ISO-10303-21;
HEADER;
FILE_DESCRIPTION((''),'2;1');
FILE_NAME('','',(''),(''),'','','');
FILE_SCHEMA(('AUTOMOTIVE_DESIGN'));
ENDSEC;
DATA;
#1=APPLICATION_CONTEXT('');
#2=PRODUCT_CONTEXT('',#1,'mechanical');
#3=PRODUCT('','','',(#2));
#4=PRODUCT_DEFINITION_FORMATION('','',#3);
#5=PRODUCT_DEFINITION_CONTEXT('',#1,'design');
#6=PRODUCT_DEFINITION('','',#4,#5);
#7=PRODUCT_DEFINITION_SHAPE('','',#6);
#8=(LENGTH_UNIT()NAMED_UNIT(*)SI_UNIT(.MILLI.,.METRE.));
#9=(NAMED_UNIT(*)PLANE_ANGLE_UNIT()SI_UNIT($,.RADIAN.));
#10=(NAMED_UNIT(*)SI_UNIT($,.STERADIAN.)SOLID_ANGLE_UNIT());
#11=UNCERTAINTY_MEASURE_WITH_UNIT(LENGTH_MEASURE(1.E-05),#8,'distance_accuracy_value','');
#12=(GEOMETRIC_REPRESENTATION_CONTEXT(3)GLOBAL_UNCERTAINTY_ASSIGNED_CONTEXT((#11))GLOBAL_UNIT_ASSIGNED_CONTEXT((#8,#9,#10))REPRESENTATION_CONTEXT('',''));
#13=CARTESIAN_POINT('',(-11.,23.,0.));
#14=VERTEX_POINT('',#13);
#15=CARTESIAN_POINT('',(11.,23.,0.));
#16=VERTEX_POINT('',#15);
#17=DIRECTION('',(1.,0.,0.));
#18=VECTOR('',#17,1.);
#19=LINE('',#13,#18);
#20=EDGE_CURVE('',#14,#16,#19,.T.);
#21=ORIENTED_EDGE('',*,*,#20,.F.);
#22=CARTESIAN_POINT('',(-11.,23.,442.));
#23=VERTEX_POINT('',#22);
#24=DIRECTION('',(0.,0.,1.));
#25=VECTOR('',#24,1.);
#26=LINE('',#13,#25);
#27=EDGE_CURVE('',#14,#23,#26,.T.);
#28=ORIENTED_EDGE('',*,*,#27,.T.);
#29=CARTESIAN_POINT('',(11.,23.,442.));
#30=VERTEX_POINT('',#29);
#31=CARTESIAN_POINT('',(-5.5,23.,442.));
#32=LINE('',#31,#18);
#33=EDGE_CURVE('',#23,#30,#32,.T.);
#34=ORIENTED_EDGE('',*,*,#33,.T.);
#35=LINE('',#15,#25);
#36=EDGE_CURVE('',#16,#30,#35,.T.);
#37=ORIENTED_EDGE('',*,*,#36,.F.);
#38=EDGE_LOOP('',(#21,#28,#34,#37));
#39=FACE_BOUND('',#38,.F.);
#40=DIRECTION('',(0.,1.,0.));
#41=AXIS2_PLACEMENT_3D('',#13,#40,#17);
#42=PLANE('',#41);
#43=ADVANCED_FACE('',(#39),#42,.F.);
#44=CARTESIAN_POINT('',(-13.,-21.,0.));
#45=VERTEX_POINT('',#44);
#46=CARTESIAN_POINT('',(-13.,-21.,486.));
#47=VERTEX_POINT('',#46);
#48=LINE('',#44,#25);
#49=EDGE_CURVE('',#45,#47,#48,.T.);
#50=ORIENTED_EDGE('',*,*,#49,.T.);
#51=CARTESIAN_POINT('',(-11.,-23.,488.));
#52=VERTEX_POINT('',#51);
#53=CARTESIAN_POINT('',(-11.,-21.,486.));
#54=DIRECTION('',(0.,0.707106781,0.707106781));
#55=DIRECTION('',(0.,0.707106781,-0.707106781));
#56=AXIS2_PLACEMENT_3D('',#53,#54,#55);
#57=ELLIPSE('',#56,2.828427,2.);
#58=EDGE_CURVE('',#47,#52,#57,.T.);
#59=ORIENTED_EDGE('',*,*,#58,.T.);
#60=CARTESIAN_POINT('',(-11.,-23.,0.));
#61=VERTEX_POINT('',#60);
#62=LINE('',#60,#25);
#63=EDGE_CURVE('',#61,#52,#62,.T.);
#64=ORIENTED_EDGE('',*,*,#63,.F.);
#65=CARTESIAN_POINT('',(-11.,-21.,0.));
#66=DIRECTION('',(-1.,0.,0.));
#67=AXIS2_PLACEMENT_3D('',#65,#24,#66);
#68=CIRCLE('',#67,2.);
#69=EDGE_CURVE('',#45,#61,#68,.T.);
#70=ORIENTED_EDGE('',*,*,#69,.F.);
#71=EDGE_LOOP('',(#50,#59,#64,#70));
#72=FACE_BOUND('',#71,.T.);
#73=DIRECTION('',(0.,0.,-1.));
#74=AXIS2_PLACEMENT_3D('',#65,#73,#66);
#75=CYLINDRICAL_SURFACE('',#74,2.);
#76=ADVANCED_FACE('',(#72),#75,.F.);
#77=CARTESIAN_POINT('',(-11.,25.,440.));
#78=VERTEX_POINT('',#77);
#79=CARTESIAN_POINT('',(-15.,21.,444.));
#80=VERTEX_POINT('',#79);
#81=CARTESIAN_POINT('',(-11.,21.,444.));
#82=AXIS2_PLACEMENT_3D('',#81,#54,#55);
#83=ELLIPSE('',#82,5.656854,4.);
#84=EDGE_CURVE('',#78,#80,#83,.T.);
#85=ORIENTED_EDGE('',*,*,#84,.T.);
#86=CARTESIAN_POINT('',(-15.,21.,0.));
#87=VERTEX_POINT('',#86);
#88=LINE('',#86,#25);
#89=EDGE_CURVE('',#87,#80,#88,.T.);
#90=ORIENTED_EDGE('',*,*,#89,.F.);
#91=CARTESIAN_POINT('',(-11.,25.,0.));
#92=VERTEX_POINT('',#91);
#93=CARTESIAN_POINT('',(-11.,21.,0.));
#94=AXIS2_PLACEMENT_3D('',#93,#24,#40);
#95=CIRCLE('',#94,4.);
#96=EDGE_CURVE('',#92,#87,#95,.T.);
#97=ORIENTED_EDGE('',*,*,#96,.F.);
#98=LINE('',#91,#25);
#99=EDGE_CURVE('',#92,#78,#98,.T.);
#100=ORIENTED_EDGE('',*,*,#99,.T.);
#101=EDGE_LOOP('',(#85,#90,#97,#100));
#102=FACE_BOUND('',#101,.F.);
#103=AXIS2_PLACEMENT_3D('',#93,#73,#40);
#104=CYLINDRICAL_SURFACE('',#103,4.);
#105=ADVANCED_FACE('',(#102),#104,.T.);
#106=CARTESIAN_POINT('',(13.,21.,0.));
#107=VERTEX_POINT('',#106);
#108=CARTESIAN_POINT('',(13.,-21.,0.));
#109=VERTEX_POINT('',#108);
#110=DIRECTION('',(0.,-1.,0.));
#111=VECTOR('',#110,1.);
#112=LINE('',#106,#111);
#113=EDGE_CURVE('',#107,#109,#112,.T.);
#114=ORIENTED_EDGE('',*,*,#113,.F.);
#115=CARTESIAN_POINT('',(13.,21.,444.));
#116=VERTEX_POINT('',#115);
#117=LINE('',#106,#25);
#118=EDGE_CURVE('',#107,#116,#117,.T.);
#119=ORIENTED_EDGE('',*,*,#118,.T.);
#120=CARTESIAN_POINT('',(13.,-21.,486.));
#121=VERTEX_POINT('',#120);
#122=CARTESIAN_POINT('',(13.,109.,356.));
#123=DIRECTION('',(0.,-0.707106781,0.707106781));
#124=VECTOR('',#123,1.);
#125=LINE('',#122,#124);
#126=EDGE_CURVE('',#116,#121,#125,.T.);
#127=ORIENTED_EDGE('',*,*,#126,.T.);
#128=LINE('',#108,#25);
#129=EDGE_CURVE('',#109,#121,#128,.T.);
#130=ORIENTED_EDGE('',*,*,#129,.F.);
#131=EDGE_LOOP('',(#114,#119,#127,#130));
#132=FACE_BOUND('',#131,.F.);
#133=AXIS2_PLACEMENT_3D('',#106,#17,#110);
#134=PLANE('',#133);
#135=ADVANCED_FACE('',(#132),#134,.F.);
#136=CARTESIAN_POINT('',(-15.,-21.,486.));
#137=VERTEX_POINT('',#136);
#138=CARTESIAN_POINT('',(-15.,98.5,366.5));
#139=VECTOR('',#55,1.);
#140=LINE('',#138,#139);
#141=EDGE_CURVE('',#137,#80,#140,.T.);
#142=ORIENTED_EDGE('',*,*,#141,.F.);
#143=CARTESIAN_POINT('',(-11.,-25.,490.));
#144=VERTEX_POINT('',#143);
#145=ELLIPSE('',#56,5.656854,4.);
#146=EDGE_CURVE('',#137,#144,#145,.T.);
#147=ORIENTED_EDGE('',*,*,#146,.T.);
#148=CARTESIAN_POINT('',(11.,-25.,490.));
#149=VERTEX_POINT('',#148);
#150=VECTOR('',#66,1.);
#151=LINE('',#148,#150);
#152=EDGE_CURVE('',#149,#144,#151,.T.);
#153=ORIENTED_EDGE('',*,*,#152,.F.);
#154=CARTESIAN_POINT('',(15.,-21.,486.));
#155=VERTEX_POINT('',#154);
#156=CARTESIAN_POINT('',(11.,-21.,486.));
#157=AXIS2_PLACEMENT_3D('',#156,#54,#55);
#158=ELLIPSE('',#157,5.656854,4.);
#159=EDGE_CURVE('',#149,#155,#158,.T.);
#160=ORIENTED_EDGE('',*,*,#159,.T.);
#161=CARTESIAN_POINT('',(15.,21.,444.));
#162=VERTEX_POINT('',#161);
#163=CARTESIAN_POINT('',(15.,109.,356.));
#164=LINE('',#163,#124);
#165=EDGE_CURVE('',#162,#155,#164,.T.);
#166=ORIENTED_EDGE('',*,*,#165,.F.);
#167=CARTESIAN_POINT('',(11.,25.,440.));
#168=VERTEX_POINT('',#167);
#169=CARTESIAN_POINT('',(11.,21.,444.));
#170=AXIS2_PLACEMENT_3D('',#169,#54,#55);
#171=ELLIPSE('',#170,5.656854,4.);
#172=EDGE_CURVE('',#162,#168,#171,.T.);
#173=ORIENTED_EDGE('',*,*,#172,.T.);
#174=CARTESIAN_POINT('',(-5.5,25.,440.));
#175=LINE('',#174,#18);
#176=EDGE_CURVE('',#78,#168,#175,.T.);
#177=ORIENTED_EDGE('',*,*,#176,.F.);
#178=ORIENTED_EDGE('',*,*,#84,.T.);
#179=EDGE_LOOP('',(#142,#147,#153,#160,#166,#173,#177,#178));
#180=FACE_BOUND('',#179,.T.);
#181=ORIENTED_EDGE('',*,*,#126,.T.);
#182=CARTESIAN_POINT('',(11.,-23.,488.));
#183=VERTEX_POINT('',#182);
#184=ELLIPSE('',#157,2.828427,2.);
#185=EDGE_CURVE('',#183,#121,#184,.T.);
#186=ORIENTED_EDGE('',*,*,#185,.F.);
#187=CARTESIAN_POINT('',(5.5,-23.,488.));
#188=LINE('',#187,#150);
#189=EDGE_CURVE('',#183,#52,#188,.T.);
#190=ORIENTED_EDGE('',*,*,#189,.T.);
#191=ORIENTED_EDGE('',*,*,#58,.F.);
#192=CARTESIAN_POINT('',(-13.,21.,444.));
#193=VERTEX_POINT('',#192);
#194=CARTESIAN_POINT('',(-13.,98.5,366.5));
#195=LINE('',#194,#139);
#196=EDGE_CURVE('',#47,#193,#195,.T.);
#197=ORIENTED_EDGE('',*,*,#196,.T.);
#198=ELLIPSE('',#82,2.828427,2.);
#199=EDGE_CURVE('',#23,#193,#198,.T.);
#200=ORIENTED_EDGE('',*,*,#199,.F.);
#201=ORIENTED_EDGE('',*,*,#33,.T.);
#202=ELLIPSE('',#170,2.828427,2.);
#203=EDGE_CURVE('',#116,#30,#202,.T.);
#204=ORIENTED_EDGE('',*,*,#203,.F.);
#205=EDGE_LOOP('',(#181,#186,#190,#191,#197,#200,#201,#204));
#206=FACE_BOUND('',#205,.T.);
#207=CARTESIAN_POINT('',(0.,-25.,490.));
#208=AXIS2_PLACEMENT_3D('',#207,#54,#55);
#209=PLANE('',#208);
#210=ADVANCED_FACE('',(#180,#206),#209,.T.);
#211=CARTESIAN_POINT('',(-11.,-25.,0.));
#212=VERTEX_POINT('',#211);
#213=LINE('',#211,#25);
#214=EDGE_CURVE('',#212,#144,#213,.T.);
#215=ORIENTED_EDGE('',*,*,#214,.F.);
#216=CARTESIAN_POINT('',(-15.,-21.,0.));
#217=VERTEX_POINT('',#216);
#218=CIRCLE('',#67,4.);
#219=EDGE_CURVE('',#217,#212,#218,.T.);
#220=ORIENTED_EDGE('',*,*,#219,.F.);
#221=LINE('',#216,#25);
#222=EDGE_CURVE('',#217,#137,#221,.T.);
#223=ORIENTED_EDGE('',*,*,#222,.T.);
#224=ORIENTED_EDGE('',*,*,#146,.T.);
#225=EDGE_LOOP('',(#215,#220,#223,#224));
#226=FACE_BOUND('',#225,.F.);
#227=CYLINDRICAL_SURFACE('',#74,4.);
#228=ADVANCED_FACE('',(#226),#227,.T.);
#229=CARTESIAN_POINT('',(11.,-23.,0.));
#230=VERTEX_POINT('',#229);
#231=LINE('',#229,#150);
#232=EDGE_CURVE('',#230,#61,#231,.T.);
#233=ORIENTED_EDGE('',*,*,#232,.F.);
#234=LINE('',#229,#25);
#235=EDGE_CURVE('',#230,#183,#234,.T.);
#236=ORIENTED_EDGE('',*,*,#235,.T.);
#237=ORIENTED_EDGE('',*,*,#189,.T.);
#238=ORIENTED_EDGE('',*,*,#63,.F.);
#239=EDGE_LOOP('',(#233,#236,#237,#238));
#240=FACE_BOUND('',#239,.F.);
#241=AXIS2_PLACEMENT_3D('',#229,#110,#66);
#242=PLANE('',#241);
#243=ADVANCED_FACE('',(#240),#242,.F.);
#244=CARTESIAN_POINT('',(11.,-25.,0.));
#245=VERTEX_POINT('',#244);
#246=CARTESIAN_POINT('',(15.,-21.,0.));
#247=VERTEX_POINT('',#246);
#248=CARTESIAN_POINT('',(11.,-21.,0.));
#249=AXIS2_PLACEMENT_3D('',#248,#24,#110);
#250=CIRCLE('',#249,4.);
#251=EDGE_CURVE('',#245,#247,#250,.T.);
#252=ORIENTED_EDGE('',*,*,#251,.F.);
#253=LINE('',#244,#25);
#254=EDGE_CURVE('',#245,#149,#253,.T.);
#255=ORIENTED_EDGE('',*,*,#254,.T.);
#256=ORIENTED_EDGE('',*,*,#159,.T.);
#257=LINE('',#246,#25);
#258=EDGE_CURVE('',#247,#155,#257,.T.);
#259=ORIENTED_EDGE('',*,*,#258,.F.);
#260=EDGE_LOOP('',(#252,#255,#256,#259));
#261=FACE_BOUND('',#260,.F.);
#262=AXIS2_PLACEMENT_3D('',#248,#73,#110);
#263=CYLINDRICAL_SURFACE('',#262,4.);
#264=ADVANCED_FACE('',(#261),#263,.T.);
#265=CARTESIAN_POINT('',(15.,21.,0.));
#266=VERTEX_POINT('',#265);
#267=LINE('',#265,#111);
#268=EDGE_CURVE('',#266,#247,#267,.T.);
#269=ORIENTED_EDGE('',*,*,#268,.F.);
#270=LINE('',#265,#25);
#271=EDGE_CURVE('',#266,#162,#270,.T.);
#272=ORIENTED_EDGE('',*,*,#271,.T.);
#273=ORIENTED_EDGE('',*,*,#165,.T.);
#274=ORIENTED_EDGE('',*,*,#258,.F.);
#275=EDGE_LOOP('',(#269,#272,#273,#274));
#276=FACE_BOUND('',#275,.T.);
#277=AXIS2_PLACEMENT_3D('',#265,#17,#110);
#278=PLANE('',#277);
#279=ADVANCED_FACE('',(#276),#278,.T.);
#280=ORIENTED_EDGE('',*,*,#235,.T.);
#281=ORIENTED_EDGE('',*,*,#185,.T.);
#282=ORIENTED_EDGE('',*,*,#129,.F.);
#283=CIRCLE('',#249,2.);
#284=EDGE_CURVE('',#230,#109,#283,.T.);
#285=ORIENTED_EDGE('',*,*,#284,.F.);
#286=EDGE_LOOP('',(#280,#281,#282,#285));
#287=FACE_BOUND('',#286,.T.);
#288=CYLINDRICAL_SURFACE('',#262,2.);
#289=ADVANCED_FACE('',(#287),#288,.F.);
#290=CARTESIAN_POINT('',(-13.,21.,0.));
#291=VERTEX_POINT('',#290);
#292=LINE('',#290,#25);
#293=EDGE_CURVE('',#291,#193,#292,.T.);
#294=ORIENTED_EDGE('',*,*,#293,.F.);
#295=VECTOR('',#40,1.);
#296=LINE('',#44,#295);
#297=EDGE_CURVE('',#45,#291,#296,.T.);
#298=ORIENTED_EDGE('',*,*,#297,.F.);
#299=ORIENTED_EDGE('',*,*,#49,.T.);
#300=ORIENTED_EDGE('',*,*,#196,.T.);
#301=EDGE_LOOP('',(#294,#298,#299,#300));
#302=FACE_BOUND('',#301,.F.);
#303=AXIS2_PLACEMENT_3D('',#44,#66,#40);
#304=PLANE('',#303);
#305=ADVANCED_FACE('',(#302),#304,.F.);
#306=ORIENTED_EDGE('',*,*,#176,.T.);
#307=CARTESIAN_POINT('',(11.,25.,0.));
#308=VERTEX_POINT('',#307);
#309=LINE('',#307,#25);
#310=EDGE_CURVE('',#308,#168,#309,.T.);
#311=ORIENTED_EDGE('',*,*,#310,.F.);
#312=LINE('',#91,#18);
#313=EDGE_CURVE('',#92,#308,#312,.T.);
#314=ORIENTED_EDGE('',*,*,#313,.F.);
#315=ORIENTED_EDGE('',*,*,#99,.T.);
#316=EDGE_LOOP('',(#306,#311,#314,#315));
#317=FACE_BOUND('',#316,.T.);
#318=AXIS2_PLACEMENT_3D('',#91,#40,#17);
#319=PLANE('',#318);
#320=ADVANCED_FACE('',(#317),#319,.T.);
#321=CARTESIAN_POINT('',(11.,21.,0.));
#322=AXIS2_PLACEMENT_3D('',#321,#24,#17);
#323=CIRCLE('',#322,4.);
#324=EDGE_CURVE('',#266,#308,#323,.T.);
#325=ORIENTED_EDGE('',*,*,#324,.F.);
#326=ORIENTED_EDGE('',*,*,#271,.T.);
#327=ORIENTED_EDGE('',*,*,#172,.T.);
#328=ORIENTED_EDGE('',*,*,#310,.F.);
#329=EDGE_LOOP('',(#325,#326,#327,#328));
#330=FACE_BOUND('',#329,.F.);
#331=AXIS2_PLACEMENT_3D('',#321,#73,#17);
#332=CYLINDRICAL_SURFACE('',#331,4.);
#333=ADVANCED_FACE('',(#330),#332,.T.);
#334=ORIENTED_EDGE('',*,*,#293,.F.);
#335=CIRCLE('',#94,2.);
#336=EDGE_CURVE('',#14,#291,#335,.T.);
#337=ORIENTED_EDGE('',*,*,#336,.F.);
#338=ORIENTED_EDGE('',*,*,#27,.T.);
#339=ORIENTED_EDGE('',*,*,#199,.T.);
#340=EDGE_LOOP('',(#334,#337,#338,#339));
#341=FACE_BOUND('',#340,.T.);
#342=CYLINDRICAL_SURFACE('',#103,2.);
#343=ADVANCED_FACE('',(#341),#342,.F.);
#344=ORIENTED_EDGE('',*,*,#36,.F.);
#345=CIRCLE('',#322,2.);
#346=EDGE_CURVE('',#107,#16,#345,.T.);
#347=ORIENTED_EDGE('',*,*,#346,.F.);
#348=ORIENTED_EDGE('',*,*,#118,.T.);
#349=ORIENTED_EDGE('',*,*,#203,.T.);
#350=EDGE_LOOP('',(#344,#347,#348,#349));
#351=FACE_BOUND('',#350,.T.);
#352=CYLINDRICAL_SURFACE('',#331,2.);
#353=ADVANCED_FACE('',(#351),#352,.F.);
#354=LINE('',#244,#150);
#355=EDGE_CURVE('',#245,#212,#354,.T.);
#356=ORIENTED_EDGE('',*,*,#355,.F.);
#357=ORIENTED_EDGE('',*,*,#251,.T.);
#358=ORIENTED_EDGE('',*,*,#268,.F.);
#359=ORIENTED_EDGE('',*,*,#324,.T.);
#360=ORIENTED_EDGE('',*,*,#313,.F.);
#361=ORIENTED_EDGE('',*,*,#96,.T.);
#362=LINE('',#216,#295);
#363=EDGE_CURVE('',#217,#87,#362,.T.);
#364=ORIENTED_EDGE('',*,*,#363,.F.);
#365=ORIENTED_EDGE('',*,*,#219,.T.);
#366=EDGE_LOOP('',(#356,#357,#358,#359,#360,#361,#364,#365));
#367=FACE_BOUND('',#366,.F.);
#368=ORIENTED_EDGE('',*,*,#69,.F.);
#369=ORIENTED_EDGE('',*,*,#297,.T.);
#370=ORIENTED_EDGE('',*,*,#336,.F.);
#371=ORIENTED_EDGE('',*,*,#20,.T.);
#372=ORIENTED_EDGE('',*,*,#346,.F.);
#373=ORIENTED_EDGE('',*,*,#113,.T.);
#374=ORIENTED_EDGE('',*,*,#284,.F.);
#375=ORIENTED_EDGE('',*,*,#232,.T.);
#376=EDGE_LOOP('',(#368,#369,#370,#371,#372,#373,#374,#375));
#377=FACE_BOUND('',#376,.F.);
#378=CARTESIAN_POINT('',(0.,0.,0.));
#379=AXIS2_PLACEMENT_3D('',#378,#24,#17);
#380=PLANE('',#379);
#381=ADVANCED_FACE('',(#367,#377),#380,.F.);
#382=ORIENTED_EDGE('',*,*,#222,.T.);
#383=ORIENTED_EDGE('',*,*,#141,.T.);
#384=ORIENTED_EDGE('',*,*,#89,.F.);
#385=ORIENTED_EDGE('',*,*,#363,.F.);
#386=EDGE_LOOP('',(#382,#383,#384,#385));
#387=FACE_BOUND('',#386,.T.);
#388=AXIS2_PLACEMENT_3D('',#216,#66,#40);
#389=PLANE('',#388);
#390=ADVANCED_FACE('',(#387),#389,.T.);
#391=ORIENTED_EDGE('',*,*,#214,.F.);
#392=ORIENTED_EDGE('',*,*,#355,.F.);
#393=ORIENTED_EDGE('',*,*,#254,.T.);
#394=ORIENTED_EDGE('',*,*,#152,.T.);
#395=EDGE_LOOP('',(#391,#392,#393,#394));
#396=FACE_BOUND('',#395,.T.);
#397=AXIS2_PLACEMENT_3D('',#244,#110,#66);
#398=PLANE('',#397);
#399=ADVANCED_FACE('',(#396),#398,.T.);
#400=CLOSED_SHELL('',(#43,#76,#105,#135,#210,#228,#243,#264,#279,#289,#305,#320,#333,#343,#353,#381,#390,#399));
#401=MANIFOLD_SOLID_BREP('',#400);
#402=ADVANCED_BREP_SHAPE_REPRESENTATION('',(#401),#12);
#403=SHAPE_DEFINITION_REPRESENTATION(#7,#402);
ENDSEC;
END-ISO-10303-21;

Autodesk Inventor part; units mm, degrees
ref_plane "Plano inicial" through (0, 0, 0) normal (0, 0, 1) x (1, 0, 0)
ref_plane "Plano final" through (0, 0, 490) normal (0, 0, 1) x (1, 0, 0)
sketch "Rascunho" plane through (0, 0, 0) normal (0, 0, 1) x (1, 0, 0)
  line L0 (-15, -21) -> (-15, 21)
  line L1 (-11, 25) -> (11, 25)
  line L2 (15, 21) -> (15, -21)
  line L3 (11, -25) -> (-11, -25)
  arc A0 (-15, -21) -> (-11, -25) centre (-11, -21) ccw
  arc A1 (15, 21) -> (11, 25) centre (11, 21) ccw
  arc A2 (-11, 25) -> (-15, 21) centre (-11, 21) ccw
  arc A3 (11, -25) -> (15, -21) centre (11, -21) ccw
  arc A4 (-11, 23) -> (-13, 21) centre (-11, 21) ccw
  line L4 (-11, 23) -> (11, 23)
  arc A5 (13, 21) -> (11, 23) centre (11, 21) ccw
  line L5 (13, 21) -> (13, -21)
  arc A6 (11, -23) -> (13, -21) centre (11, -21) ccw
  line L6 (11, -23) -> (-11, -23)
  arc A7 (-13, -21) -> (-11, -23) centre (-11, -21) ccw
  line L7 (-13, -21) -> (-13, 21)
  line L8 (0, 36.1598) -> (0, -36.1598) construction
  line L9 (-22.1598, 0) -> (22.1598, 0) construction
  dimension "d7" = 4
  dimension "d9" = 30
  dimension "d11" = 50
  dimension "d12" = 2
  dimension "d15" = 15
  dimension "d16" = 25
extrude "Corpo" add sketch "Rascunho" along normal up to surface (490 mm away) from surface at 0
sketch "Sketch3" plane through (0, 0, 0) normal (0, 0, 1) x (1, 0, 0)
  line L0 (0, 0) -> (10, 0)
ref_plane "Work Plane3" through (0, 0, 0) normal (0, -1, 0) x (1, 0, 0)
sketch "Sketch4" plane through (0, 0, 0) normal (0, -1, 0) x (1, 0, 0)
  line L0 (-2, 0) -> (12, 0)
  line L1 (-2, 490) -> (12, 490)
  dimension "d18" = 490
ref_plane "Plano de trabalho4" through (0, -25, 490) normal (0, 0.7071, 0.7071) x (1, 0, 0)
split "Dividir1" plane through (0, -25, 490) removes the side toward (0, 0.7071, 0.7071)
equation "\"d7\" = G_IR"
equation "\"d9\" = G_W"
equation "\"d11\" = G_H"
equation "\"d12\" = G_T"
equation "\"d15\" = 0.5 * d9"
equation "\"d16\" = 0.5 * d11"
equation "\"d3\" = G_L"
equation "\"G_W\" = 30"
equation "\"G_H\" = 50"
equation "\"G_T\" = 2"
equation "\"G_IR\" = 4"
equation "\"G_L\" = d18"
equation "\"G_OFFSET_START\" = 0"
equation "\"G_OFFSET_END\" = 0"
properties part number "ISO 4019 - 50x30x2 - 490" material "Aço, suave"
